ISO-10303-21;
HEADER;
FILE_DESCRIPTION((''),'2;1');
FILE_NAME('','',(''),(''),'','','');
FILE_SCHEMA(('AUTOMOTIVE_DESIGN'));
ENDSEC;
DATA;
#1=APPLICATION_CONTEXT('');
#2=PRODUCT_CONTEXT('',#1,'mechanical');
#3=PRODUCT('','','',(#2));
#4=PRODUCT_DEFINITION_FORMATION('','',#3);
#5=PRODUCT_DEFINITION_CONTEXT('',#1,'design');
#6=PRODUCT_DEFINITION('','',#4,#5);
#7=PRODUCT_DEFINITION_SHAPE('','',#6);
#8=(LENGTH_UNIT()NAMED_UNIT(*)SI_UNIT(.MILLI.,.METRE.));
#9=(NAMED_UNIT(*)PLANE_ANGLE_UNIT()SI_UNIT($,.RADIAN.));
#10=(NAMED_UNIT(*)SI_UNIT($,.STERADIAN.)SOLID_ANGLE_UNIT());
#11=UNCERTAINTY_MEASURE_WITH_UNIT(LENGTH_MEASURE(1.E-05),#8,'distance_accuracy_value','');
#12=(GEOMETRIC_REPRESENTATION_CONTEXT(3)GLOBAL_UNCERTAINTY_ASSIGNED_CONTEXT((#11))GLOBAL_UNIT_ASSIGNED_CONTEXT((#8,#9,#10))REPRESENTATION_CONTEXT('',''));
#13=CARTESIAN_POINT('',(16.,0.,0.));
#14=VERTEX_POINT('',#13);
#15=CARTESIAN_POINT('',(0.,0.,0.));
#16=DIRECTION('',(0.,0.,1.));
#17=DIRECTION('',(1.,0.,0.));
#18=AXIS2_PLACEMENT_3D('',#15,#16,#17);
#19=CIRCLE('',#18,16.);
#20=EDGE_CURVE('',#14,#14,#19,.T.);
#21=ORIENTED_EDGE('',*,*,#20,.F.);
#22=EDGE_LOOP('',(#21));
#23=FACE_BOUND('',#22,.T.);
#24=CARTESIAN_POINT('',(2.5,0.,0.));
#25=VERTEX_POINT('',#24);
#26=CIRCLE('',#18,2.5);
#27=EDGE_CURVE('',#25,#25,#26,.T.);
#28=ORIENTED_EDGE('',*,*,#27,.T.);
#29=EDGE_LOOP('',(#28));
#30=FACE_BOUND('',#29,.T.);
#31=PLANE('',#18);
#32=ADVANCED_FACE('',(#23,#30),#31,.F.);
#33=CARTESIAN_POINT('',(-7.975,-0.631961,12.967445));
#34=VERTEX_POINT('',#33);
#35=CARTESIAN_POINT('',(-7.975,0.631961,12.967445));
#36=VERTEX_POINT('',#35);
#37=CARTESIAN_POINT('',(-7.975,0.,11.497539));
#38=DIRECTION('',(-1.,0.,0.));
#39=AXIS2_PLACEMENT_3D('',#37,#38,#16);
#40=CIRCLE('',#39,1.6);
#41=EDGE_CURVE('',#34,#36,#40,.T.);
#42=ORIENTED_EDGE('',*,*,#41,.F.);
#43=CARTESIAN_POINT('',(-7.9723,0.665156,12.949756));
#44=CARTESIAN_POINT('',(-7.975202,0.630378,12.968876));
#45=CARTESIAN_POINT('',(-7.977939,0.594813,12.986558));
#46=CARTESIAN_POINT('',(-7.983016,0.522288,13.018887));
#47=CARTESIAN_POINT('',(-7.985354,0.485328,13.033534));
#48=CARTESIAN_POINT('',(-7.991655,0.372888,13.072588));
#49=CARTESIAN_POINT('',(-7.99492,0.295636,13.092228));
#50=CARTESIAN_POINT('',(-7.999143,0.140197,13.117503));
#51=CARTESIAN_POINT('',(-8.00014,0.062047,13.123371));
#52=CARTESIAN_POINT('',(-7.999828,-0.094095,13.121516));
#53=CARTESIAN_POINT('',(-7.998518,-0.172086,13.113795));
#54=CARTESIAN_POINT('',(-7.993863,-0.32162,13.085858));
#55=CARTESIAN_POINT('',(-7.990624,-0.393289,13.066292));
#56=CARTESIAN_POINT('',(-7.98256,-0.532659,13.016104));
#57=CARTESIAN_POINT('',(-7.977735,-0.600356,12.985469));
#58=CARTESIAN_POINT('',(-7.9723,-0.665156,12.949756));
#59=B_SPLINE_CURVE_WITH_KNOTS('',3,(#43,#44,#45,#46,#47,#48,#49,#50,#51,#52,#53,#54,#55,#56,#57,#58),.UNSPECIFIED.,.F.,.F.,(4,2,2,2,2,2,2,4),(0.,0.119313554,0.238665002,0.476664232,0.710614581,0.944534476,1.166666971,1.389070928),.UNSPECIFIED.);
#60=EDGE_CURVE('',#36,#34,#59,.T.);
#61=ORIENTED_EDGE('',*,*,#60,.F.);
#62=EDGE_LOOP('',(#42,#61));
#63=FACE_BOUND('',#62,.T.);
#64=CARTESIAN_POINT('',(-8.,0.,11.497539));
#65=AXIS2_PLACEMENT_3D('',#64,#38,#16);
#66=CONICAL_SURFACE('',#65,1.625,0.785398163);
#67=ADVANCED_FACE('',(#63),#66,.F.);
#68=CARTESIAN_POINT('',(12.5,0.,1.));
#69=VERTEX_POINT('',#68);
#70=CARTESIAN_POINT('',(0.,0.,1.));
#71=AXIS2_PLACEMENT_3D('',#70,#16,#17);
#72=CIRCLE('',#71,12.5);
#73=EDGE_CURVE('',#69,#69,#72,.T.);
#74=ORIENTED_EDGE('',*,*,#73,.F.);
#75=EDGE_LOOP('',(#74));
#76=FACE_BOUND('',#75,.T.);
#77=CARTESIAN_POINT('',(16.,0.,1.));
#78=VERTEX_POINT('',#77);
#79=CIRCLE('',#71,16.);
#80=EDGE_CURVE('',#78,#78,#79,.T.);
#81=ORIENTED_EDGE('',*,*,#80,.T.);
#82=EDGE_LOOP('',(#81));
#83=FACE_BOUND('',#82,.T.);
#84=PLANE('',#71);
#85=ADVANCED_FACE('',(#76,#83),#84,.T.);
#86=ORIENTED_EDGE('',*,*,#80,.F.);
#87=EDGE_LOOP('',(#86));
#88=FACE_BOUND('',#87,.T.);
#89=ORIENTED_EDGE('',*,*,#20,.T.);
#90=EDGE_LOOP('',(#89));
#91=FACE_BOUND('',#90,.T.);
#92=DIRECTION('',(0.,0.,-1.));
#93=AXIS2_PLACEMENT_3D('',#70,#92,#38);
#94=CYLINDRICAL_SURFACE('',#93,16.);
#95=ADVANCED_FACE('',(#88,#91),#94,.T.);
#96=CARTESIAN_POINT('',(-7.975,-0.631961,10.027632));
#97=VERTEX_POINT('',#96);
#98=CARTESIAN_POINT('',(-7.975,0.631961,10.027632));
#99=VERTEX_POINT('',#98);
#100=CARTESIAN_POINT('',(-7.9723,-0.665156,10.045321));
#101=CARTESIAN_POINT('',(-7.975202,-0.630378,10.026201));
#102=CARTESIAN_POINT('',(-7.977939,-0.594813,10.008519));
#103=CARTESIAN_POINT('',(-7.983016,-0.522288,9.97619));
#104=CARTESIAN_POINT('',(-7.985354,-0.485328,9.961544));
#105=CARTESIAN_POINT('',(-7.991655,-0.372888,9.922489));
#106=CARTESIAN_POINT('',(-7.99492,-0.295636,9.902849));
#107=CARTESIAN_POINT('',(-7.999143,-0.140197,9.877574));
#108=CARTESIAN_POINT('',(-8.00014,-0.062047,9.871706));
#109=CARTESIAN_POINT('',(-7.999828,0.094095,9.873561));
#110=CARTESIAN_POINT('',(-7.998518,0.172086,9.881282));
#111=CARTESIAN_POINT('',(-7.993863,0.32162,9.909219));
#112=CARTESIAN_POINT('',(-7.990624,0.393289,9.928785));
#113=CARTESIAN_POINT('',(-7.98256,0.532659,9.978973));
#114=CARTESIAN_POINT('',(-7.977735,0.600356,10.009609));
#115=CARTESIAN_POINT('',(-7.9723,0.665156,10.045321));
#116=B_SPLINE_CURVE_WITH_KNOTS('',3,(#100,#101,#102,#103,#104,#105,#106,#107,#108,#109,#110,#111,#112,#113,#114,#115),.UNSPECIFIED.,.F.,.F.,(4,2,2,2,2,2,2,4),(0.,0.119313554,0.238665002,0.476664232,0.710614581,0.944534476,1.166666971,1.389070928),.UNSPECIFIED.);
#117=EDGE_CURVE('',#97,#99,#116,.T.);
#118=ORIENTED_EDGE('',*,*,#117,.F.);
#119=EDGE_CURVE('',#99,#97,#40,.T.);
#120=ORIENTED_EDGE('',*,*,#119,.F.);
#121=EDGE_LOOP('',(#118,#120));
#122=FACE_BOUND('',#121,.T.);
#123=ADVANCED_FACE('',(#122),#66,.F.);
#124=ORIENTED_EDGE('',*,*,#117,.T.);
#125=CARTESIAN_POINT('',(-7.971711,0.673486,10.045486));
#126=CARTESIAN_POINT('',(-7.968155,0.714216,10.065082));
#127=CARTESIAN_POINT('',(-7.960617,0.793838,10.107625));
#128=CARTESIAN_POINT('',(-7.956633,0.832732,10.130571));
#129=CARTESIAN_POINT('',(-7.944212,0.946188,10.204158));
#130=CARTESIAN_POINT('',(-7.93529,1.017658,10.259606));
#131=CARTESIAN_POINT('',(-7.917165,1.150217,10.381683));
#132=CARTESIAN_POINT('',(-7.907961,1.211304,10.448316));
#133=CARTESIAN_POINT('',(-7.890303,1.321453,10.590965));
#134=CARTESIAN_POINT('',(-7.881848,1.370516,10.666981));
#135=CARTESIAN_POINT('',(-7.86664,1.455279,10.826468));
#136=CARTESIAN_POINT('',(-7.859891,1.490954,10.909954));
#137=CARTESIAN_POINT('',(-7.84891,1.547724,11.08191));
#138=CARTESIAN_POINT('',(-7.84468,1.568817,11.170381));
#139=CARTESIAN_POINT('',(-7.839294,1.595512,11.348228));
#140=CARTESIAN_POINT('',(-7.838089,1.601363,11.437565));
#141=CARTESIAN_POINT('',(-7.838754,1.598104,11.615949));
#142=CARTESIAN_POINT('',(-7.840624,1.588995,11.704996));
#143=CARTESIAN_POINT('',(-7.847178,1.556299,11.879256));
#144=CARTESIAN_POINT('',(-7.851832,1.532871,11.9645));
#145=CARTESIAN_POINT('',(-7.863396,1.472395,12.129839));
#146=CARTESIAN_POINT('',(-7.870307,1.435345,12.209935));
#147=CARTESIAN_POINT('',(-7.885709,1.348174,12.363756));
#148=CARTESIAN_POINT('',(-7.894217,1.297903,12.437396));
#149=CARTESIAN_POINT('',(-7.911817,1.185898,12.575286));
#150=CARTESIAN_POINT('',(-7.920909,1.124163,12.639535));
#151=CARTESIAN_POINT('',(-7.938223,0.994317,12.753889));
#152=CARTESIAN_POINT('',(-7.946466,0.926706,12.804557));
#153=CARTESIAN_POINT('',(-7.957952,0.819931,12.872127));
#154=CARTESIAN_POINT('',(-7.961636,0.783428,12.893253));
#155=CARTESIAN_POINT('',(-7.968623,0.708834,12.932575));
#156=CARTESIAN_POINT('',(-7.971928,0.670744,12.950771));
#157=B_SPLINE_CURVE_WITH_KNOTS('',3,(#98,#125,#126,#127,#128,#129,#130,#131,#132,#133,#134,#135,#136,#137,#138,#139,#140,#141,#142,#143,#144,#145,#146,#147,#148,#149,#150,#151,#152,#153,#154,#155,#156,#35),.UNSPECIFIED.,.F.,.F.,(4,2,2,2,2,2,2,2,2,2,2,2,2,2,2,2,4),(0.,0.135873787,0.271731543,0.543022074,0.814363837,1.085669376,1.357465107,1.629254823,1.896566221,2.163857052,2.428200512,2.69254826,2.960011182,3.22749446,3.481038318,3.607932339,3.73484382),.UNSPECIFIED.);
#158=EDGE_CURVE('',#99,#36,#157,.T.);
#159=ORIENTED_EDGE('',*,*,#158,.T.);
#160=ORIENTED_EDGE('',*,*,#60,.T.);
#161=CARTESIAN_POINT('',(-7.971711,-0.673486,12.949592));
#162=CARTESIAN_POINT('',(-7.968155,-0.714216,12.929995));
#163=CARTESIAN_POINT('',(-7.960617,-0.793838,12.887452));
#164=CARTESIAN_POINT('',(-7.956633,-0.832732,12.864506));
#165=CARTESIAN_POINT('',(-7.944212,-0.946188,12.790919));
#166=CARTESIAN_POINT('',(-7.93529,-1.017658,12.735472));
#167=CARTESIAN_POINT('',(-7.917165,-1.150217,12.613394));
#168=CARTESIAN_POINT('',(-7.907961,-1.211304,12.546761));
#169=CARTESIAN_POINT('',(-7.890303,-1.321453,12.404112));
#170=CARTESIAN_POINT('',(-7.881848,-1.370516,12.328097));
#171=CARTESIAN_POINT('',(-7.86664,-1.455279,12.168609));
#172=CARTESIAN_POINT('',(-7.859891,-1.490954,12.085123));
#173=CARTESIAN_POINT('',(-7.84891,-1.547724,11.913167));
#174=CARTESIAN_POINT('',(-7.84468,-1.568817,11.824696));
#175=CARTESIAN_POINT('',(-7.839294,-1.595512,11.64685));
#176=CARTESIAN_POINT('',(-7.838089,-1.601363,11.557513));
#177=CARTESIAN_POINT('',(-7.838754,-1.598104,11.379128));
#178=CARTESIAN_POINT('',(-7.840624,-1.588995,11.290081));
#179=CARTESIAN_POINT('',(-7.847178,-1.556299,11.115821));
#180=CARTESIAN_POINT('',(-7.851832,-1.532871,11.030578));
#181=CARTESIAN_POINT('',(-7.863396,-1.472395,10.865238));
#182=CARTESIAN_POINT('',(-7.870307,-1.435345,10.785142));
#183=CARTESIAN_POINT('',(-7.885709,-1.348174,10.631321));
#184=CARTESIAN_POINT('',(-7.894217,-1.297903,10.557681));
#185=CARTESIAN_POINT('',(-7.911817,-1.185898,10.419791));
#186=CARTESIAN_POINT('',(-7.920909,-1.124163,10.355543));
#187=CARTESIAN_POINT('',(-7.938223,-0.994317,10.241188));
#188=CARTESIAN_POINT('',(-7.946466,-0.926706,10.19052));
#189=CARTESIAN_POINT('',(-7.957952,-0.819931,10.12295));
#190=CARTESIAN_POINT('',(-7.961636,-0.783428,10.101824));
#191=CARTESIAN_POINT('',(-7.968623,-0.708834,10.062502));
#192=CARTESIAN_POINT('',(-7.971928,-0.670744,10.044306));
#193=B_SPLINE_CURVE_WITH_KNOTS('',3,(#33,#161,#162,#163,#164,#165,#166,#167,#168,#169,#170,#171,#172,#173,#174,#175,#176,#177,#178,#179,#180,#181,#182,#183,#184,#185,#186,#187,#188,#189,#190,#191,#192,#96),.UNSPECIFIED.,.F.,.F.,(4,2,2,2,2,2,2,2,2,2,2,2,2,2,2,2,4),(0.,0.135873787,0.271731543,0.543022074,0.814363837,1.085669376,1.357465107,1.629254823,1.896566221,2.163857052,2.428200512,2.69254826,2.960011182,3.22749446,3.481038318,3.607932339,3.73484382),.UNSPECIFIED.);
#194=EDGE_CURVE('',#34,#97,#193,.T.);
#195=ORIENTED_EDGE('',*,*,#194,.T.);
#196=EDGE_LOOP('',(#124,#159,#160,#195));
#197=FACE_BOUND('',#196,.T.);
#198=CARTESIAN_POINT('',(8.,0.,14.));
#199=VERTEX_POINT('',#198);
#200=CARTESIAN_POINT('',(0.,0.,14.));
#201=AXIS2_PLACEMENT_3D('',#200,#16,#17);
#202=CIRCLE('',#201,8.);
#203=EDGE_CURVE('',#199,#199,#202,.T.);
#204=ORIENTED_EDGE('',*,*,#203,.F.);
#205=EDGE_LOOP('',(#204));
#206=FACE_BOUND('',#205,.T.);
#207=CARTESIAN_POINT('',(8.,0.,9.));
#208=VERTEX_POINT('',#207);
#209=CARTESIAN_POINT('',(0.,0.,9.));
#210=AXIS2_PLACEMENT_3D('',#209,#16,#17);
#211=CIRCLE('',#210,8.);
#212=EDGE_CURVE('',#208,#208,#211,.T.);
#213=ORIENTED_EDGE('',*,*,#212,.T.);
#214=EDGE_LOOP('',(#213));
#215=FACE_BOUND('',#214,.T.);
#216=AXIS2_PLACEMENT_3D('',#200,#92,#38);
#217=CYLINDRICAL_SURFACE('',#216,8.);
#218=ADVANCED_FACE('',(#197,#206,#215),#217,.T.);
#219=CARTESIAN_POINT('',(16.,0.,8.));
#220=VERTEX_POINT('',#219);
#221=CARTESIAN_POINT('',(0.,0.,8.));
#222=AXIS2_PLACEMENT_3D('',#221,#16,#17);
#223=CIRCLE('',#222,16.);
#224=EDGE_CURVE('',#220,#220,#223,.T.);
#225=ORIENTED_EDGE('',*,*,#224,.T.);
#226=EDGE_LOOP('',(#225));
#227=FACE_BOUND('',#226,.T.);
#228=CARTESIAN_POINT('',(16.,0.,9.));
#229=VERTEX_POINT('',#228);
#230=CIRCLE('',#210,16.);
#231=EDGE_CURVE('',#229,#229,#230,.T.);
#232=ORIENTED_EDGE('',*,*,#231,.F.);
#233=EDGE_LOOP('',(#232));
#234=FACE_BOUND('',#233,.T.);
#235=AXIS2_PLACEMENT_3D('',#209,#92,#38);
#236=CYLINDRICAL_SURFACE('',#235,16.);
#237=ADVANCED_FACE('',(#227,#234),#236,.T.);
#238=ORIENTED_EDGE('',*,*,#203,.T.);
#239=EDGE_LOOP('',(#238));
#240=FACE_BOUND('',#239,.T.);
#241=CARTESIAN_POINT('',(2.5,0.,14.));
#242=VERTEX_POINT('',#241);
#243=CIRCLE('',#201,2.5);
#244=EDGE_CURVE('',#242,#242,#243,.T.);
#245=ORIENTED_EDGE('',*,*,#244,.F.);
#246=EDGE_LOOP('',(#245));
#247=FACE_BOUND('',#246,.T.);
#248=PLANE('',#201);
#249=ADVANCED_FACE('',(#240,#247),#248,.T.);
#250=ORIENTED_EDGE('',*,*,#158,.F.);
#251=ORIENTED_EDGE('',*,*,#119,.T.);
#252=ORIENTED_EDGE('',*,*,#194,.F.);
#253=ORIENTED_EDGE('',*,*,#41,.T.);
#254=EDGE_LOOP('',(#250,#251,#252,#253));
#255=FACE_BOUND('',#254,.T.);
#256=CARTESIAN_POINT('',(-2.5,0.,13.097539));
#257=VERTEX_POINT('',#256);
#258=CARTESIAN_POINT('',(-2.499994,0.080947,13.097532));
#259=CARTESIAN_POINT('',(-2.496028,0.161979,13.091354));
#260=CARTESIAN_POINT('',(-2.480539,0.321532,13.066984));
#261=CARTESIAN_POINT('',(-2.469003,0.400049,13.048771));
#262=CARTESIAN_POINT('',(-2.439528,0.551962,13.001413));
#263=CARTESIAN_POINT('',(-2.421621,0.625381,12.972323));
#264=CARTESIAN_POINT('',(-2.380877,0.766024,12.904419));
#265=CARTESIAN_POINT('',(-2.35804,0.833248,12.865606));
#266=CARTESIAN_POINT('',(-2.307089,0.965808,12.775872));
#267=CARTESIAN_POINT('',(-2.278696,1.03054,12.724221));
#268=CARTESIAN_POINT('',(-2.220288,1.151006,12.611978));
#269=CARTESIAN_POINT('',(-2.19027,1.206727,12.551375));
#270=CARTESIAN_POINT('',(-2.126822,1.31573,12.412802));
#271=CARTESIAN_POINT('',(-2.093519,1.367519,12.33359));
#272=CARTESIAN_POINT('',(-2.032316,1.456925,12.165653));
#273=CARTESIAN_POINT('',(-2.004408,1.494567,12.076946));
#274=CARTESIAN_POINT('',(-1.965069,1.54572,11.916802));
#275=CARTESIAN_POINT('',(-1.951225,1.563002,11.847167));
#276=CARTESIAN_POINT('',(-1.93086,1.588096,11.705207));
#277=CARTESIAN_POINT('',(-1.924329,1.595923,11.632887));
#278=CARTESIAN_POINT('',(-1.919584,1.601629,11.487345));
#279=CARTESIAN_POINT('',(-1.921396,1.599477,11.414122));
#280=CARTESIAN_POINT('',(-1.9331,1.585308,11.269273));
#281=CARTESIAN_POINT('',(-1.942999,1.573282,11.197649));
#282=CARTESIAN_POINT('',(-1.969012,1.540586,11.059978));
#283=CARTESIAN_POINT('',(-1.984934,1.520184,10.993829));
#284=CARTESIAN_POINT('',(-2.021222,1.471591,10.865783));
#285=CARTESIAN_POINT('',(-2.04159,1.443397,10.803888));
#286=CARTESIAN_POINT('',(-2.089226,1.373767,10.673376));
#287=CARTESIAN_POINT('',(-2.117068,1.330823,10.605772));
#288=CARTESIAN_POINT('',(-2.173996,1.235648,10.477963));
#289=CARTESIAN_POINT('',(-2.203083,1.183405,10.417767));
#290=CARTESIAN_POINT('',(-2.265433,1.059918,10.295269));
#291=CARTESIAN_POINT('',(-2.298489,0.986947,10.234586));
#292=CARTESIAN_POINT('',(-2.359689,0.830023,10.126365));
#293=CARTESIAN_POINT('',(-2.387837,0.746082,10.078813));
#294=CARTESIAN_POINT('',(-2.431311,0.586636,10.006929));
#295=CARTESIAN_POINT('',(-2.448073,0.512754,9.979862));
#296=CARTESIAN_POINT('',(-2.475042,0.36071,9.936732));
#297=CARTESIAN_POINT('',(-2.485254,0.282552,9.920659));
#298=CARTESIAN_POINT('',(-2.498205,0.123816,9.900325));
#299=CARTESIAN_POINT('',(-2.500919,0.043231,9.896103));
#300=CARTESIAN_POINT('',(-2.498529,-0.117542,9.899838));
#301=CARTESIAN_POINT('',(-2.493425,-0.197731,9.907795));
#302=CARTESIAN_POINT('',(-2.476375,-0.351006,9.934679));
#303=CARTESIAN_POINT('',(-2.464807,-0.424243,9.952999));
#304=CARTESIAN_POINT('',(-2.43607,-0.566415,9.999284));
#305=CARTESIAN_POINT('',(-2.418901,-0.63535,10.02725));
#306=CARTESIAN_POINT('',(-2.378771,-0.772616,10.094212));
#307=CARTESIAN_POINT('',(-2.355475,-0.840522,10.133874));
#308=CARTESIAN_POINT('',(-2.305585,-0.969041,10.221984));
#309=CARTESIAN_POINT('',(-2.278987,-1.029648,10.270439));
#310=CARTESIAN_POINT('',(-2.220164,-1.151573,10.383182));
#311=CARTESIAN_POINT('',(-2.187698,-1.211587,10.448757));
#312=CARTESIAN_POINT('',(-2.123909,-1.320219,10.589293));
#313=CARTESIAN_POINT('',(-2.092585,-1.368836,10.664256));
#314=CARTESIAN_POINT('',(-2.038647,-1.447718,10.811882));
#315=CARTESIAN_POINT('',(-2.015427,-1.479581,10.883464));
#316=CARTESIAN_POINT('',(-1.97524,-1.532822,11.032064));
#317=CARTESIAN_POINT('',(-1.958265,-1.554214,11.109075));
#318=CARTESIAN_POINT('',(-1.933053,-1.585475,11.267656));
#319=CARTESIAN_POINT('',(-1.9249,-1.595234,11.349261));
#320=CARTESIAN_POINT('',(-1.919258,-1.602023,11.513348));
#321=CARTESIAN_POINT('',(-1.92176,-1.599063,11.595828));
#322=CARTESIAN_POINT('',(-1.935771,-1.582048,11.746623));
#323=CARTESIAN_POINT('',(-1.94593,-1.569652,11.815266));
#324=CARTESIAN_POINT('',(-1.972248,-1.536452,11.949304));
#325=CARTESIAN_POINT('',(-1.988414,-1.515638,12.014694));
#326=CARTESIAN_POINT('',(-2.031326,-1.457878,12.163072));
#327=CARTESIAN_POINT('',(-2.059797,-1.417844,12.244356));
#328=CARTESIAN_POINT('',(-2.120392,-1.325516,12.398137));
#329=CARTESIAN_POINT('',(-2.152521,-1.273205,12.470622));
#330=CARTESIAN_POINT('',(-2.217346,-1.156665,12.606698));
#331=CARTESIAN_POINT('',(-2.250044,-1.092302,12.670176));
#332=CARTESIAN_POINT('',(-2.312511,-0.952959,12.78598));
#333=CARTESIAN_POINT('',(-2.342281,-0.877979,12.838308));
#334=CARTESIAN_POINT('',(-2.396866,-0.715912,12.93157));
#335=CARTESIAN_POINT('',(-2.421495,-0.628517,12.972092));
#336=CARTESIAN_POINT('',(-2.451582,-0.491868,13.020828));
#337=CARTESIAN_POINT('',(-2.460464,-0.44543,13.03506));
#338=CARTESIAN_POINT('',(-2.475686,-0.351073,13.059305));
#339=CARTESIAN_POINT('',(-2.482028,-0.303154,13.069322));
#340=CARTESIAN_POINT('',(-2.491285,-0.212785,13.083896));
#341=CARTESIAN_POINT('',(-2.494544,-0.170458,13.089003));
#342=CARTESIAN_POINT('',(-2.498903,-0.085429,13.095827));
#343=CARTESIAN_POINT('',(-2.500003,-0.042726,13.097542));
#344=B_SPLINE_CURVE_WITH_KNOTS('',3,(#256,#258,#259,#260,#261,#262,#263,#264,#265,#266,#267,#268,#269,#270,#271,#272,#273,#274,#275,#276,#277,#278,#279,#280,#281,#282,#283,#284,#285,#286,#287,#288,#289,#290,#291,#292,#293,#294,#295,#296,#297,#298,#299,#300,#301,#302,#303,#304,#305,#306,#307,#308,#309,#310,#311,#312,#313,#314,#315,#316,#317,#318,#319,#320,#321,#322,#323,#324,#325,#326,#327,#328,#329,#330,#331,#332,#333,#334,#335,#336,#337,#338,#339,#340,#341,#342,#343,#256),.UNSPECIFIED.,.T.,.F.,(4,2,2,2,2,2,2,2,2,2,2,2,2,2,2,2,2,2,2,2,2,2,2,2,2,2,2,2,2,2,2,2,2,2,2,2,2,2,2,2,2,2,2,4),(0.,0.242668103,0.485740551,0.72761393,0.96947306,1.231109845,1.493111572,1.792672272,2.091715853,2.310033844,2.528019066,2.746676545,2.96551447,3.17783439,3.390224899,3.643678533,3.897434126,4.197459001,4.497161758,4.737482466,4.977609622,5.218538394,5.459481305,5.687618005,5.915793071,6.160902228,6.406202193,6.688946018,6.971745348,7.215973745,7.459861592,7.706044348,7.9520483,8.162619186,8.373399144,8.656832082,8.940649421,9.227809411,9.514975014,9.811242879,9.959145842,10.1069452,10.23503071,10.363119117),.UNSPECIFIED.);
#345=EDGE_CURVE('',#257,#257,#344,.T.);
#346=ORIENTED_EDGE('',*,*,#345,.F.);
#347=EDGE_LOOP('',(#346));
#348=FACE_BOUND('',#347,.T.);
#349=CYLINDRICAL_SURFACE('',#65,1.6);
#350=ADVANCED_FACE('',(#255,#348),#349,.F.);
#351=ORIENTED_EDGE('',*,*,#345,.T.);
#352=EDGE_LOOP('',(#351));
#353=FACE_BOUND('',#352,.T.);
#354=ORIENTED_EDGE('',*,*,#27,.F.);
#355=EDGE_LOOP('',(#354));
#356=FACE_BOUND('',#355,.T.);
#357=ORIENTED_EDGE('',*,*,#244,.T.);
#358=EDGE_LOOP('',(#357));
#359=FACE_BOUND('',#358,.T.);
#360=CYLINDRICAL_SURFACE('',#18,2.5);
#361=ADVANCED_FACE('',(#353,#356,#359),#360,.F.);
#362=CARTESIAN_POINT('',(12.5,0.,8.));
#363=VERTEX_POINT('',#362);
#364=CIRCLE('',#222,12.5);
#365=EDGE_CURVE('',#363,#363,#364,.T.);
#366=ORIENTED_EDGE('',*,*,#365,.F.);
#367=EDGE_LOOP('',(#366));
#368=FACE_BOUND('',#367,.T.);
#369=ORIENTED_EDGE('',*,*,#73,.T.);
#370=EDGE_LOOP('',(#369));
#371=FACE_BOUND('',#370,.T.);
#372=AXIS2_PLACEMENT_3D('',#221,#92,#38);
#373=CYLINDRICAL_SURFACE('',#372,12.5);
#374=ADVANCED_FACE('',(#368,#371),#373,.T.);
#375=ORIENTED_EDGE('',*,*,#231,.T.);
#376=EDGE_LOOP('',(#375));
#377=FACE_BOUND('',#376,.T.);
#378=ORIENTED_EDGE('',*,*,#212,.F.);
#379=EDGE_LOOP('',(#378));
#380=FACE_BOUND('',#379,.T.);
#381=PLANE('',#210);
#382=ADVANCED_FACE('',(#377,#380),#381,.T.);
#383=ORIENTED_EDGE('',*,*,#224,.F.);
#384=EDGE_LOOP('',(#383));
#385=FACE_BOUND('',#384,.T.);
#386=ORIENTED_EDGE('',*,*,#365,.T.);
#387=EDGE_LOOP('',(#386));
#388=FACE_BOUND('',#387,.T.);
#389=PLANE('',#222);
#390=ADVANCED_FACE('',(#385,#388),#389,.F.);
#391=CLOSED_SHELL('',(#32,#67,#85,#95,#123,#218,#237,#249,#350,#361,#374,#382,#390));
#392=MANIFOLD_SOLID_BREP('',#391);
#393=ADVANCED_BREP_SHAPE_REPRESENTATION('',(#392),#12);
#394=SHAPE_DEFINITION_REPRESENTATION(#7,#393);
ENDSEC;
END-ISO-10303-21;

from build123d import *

# Parameters (mm, degrees)
ESQUISSE1_R             = 16
BOSS_EXTRU_1_DEPTH      = 1
ESQUISSE2_R             = 12.5
BOSS_EXTRU_2_DEPTH      = 7
ESQUISSE3_R             = 16
BOSS_EXTRU_3_DEPTH      = 1
ESQUISSE4_R             = 8
BOSS_EXTRU_4_DEPTH      = 5
ESQUISSE5_R             = 2.5
ENL_V_MAT_EXTRU_1_DEPTH = 15


with BuildPart() as part:
    # Esquisse1 → Boss.-Extru.1 (new body)
    with BuildSketch(Plane.XY):
        Circle(ESQUISSE1_R)
    extrude(amount=BOSS_EXTRU_1_DEPTH)

    # Esquisse2 → Boss.-Extru.2 (add)
    with BuildSketch(Plane.XY.offset(1)):
        Circle(ESQUISSE2_R)
    extrude(amount=BOSS_EXTRU_2_DEPTH)

    # Esquisse3 → Boss.-Extru.3 (add)
    with BuildSketch(Plane.XY.offset(8)):
        Circle(ESQUISSE3_R)
    extrude(amount=BOSS_EXTRU_3_DEPTH)

    # Esquisse4 → Boss.-Extru.4 (add)
    with BuildSketch(Plane.XY.offset(9)):
        Circle(ESQUISSE4_R)
    extrude(amount=BOSS_EXTRU_4_DEPTH)

    # Esquisse5 → Enlèv. mat.-Extru.1 (cut, through all)
    with BuildSketch(Plane.XY.offset(14)):
        Circle(ESQUISSE5_R)
    extrude(amount=-ENL_V_MAT_EXTRU_1_DEPTH, mode=Mode.SUBTRACT)

    # Esquisse7 → Dégagement M31 (revolve, cut)
    with BuildSketch(Plane(origin=(-8, 0, 11.497538613), x_dir=(0, 0, 1), z_dir=(0, 1, 0))):
        Polygon((0, 0), (0, 8), (1.6, 8), (1.6, 0.025), (1.625, 0), align=None)
    revolve(axis=Axis((-14.35, 0, 11.497538613), (1, 0, 0)), mode=Mode.SUBTRACT)


solid = part.part
